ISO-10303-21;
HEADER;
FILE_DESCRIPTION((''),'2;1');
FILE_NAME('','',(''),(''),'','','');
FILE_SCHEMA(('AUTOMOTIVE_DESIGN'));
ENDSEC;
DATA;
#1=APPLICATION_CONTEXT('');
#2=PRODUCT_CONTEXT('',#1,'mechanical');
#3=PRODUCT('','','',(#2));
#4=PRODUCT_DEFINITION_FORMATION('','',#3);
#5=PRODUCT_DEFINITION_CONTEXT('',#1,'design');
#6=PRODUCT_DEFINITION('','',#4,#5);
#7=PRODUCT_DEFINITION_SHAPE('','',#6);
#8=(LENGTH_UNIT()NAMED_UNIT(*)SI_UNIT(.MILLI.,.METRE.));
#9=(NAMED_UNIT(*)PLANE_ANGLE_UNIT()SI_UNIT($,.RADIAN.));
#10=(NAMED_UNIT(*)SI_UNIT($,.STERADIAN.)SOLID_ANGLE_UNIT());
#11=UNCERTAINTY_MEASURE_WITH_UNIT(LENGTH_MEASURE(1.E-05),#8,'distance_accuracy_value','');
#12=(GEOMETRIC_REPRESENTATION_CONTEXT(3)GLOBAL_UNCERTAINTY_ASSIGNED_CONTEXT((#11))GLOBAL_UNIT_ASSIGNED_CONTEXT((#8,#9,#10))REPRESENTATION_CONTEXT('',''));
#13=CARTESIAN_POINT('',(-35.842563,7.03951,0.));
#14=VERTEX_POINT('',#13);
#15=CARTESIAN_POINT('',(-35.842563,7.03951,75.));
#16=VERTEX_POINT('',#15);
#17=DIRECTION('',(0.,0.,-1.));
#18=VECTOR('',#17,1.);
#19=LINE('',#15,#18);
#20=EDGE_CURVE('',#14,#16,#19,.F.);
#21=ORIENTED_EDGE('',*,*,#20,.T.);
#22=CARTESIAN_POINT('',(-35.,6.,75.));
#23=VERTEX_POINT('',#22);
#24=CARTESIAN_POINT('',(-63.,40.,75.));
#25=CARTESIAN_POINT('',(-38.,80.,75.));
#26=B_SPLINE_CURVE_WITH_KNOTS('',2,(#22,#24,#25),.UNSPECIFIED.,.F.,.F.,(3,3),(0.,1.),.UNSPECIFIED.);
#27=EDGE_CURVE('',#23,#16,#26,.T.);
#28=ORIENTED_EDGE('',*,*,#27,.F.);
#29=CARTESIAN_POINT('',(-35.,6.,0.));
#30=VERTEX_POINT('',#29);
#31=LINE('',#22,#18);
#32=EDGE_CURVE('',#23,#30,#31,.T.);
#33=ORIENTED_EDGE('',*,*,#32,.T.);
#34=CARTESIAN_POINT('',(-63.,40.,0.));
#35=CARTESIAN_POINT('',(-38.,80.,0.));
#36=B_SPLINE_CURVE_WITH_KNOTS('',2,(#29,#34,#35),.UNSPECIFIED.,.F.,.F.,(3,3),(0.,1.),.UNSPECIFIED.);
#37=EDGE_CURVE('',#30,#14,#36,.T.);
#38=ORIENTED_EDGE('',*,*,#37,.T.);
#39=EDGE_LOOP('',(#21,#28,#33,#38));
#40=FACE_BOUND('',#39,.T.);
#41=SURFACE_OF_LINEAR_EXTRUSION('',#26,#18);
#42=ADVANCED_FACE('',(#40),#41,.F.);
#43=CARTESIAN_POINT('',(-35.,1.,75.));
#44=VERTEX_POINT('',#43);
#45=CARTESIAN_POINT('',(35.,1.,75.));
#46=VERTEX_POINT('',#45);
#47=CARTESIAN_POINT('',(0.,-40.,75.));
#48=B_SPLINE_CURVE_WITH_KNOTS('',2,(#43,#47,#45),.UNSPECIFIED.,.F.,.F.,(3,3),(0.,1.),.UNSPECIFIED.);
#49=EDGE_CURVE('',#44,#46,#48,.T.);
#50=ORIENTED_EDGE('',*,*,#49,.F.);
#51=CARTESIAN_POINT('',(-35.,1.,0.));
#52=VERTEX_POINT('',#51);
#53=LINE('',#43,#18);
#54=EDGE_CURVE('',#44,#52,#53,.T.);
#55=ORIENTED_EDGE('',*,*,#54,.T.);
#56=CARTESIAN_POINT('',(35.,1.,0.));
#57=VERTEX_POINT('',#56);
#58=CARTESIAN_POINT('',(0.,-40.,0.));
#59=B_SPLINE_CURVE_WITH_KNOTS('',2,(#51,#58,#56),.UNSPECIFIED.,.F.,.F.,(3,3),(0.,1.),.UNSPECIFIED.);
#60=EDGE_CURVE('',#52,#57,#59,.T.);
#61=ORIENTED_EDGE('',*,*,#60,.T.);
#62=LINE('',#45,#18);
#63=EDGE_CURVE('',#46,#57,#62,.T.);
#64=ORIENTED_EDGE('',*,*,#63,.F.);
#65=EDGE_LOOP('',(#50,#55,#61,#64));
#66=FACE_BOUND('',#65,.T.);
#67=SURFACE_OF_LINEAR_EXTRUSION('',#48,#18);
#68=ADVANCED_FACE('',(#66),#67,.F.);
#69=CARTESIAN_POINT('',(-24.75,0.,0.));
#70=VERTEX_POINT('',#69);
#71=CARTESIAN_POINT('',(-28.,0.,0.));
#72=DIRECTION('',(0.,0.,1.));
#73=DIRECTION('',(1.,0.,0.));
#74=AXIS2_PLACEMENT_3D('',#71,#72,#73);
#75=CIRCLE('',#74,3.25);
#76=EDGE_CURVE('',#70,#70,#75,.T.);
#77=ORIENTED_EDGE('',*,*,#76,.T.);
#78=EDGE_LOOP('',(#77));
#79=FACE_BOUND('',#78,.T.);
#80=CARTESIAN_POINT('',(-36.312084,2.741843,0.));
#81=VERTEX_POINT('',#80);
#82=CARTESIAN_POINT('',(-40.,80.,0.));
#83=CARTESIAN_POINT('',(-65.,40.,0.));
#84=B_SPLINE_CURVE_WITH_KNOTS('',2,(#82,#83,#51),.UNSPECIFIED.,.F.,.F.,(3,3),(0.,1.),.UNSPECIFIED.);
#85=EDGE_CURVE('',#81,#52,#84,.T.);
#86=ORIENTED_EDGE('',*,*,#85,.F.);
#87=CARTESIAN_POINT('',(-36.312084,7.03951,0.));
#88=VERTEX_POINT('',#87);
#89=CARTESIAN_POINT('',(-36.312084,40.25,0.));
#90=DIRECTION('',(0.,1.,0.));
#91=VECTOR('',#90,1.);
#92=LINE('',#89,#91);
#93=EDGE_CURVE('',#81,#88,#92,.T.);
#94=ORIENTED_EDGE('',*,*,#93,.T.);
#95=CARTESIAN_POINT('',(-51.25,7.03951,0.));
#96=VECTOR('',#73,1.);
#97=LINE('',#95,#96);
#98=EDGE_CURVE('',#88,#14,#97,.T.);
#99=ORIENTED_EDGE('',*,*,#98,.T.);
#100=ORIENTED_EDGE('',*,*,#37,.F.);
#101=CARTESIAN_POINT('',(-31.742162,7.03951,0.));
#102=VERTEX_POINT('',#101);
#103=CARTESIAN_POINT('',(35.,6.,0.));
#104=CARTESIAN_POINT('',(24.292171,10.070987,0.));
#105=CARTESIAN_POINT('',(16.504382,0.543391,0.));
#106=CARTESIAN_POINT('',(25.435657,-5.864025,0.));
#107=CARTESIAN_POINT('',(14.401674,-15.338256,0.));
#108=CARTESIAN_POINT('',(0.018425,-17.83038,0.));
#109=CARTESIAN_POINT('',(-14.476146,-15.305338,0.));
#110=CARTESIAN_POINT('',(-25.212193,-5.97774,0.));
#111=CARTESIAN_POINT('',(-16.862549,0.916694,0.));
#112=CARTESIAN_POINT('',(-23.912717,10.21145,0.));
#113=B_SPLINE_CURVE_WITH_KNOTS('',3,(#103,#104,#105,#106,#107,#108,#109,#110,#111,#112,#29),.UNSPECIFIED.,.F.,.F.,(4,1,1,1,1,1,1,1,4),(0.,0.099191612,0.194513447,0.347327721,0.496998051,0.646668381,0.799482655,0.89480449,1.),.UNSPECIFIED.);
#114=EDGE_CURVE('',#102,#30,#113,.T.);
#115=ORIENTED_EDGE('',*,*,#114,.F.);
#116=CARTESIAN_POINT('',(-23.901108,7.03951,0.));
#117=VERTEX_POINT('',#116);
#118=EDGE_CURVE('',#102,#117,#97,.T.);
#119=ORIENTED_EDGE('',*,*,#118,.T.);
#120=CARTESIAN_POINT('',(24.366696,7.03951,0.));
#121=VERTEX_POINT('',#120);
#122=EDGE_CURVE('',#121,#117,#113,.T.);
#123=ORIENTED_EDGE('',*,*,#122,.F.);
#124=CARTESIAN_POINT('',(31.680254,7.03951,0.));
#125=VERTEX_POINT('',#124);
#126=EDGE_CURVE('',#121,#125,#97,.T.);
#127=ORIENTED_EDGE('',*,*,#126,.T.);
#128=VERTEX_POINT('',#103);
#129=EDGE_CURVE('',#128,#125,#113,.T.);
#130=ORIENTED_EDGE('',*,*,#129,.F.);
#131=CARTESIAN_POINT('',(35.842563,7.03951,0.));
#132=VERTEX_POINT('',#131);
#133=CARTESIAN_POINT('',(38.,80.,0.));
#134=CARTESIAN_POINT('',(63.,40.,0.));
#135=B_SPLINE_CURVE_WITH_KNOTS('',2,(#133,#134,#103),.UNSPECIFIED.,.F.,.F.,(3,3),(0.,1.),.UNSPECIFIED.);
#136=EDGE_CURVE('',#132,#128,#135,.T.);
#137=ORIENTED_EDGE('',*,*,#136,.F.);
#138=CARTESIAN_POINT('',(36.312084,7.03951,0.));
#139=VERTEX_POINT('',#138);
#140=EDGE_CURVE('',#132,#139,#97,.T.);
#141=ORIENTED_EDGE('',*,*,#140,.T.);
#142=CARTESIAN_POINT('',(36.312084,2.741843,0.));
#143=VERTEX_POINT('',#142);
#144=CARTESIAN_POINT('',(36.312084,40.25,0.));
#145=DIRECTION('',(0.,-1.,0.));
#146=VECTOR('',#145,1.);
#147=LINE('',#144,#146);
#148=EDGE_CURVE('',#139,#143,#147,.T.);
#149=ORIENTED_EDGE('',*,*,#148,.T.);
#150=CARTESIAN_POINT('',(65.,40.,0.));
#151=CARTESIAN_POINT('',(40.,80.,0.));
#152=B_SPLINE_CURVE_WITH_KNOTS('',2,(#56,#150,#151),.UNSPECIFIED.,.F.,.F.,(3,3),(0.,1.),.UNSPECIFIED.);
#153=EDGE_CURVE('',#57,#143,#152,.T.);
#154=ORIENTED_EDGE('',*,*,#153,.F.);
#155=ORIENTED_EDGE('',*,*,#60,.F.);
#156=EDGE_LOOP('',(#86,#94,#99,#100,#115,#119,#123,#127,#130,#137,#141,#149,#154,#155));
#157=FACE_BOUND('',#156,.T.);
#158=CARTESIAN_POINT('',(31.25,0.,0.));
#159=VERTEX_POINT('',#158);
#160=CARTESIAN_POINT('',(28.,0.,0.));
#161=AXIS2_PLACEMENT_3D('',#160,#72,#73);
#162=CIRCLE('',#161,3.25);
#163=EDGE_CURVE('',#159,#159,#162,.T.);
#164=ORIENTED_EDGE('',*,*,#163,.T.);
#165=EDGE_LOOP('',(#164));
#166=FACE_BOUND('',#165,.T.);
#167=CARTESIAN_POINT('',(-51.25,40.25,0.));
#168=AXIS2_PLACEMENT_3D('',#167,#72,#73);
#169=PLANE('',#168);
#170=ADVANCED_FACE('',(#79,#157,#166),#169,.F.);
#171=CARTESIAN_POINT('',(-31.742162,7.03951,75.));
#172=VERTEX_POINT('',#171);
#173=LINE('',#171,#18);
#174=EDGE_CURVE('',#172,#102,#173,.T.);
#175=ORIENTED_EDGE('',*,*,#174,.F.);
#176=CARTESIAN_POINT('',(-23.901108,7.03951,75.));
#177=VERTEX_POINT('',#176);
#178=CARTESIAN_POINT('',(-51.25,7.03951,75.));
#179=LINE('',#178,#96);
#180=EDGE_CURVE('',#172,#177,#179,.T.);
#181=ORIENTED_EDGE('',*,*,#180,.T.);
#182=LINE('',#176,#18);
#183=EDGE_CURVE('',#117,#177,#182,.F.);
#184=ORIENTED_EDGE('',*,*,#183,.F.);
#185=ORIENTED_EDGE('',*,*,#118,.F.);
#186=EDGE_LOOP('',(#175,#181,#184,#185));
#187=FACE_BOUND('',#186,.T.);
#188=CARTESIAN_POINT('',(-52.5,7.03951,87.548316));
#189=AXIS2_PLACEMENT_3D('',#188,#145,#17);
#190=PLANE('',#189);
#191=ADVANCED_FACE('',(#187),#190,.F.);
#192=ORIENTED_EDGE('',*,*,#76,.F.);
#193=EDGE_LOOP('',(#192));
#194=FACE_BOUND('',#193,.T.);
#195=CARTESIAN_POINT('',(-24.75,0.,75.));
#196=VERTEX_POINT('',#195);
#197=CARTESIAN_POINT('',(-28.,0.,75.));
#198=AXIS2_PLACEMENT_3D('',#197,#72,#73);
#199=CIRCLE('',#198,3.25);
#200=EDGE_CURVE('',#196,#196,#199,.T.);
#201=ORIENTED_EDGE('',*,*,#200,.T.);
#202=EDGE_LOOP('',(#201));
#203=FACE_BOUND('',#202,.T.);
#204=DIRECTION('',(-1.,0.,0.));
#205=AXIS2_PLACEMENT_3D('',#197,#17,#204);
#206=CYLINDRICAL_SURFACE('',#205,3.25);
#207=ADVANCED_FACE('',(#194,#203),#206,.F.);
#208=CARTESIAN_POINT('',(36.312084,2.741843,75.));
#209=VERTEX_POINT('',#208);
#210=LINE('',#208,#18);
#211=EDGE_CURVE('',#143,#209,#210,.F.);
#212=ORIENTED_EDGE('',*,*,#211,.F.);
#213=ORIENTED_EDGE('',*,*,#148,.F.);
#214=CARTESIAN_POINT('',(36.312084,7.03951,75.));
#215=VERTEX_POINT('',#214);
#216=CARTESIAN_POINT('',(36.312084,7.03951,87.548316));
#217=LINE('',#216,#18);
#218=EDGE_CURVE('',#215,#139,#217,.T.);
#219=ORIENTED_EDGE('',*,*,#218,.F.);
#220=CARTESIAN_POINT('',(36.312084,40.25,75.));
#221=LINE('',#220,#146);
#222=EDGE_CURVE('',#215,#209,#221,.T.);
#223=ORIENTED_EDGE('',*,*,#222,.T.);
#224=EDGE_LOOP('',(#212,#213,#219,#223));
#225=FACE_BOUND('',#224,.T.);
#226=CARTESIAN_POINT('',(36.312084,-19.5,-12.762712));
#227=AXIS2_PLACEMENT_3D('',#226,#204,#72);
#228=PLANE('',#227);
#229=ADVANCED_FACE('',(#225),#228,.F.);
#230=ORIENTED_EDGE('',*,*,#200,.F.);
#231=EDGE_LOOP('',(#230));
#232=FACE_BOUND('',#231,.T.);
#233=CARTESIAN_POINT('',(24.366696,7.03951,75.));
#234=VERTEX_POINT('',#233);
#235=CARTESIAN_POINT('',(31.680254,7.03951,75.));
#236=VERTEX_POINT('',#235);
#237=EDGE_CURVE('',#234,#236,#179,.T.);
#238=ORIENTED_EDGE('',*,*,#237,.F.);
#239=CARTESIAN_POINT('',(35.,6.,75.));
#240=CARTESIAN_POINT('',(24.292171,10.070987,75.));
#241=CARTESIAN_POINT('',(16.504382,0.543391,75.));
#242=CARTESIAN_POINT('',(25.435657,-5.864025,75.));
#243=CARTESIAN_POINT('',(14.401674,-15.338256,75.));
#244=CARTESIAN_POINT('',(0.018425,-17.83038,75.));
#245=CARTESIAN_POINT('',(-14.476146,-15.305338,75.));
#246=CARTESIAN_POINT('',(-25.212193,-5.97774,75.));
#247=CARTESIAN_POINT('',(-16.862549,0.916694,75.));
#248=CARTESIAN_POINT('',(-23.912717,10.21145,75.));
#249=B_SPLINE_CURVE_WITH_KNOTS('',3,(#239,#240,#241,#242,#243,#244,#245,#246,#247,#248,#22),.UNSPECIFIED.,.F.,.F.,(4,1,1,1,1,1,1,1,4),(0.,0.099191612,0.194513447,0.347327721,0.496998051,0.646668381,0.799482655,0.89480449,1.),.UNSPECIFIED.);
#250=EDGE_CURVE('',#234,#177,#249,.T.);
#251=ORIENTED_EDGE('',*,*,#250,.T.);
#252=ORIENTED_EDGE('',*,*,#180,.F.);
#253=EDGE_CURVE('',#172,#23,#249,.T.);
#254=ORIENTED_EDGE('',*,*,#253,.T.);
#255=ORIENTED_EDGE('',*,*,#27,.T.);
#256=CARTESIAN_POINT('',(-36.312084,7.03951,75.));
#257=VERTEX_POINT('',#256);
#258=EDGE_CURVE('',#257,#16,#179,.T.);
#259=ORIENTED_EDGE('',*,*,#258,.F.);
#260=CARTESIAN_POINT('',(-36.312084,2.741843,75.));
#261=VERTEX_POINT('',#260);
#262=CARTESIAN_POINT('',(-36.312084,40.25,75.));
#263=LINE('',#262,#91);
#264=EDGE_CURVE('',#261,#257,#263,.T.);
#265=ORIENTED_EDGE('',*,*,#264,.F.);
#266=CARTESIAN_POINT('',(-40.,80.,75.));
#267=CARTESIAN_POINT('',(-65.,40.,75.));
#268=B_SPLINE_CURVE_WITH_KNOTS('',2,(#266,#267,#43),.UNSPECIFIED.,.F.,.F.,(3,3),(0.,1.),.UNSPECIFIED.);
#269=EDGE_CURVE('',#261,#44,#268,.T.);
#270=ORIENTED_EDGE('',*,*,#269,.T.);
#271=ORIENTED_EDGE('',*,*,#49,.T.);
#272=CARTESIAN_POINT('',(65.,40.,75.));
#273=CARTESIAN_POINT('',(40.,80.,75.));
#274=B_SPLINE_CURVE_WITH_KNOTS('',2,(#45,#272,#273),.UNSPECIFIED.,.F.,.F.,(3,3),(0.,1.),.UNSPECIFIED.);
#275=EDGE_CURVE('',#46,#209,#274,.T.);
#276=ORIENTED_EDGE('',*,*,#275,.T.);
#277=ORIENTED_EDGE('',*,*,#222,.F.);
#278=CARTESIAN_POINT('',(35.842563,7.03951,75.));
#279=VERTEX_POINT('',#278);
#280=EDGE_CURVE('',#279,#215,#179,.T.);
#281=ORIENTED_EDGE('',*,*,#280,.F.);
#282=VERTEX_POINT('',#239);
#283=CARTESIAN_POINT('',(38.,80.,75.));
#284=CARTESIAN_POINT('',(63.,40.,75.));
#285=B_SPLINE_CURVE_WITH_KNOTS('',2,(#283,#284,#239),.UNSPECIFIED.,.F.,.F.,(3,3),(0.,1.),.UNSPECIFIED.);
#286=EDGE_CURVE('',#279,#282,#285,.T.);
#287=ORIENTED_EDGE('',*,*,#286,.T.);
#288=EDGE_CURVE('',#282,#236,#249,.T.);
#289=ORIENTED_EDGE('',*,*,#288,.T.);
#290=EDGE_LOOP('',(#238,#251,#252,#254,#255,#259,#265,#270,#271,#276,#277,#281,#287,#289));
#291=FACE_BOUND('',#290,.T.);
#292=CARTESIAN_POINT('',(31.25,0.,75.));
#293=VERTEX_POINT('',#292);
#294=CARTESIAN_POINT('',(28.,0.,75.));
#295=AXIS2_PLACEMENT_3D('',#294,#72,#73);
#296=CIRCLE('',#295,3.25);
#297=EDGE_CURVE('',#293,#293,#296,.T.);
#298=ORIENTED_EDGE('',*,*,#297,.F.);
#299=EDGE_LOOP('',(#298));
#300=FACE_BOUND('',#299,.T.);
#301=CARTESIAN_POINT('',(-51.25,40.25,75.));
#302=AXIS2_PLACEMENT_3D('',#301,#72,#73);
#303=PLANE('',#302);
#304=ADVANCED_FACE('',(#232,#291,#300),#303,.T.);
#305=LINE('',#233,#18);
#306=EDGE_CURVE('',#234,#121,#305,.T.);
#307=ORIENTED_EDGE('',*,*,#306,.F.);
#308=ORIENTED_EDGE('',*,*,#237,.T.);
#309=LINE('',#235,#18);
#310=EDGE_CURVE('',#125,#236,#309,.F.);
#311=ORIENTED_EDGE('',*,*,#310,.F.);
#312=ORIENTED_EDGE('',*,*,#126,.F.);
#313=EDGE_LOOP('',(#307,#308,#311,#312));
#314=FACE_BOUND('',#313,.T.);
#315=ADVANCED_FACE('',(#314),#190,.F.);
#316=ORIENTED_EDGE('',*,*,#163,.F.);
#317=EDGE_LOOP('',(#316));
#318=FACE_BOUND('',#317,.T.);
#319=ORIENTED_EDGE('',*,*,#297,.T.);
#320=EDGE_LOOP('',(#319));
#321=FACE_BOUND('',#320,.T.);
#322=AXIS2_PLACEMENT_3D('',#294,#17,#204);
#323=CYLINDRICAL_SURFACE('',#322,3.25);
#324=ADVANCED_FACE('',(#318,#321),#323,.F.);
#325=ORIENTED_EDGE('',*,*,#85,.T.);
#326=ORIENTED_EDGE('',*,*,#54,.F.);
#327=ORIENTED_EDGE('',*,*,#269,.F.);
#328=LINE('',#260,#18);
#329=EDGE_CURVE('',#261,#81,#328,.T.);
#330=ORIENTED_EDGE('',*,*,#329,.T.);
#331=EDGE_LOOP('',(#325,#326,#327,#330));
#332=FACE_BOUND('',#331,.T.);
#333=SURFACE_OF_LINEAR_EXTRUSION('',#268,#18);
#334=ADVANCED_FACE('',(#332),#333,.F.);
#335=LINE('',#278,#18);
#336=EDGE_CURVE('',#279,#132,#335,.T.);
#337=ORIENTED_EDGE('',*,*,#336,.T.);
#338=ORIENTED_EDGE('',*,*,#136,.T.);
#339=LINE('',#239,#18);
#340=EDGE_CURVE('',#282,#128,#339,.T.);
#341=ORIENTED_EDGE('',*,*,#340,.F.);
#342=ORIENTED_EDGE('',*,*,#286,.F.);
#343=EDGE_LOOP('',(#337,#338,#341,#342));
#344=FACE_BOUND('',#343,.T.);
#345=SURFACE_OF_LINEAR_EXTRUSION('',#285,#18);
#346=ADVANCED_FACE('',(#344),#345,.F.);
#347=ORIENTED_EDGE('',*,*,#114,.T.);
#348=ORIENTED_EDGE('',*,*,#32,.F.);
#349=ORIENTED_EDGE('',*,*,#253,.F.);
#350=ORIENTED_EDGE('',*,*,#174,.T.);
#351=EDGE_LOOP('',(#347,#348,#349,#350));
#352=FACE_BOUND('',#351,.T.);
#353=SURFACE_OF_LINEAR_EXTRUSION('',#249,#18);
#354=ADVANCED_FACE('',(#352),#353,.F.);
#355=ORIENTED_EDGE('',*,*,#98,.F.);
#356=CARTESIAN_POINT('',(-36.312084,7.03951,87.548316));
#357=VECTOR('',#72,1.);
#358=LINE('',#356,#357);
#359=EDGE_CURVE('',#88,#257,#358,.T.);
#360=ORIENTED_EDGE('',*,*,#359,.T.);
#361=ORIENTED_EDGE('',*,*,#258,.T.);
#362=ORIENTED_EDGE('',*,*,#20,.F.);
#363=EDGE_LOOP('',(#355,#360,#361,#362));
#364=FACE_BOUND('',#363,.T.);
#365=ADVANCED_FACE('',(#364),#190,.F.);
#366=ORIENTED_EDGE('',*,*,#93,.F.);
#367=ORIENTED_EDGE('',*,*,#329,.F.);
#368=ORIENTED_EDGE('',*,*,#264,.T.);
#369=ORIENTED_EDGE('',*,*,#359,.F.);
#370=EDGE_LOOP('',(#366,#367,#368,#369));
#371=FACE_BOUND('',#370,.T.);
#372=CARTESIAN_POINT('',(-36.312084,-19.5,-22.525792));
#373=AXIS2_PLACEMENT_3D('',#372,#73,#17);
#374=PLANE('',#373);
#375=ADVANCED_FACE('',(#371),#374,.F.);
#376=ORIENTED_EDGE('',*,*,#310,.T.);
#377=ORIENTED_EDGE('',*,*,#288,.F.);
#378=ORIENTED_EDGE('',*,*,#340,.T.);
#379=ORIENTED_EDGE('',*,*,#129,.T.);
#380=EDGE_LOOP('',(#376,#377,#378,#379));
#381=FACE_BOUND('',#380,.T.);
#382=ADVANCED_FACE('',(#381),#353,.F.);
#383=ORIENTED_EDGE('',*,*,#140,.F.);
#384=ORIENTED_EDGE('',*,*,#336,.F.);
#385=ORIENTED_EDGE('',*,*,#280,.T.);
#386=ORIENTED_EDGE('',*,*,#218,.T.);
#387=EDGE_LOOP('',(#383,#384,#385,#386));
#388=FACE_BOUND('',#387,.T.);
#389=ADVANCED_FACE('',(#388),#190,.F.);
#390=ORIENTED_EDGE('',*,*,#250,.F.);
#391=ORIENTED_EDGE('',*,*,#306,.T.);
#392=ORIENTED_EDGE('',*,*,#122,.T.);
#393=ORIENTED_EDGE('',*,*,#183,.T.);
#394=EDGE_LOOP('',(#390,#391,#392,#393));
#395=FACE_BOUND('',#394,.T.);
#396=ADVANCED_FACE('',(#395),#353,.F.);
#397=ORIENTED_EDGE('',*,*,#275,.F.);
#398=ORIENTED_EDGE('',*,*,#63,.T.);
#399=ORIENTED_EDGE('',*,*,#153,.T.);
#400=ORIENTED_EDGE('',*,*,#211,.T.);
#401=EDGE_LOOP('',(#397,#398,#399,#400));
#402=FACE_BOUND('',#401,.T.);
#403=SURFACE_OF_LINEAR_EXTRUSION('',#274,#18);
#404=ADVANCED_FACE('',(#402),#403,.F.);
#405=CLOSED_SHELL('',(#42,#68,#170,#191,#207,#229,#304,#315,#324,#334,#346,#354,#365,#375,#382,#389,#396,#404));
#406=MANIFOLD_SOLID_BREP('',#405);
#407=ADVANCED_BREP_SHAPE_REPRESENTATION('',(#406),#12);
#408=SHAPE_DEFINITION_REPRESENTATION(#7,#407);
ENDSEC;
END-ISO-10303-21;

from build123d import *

# Parameters (mm, degrees)
SKETCH_1_R               = 3.25
EXTRUDE_1_DEPTH          = 75
CUT_EXTRUDE_1_DEPTH      = 122.091796509
CUT_EXTRUDE_1_DEPTH_BACK = 122.091796509
SKETCH_2_W               = 92.717171147
SKETCH_2_H               = 72.960489682
SKETCH_3_W               = 30.57870083
SKETCH_3_H               = 110.525424686
SKETCH_3_W_2             = 21.736666855
SKETCH_3_H_2             = 127.47265647
CUT_EXTRUDE_2_DEPTH      = 89.739988429


with BuildPart() as part:
    # 草圖1 → 填料-伸長1 (new body)
    with BuildSketch(Plane.XY):
        with BuildLine():
            Line((-40, 80), (-38, 80))
            add(Edge.make_bspline(
                [(-35, 6), (-63, 40), (-38, 80)],
                knots=[0, 0, 0, 1, 1, 1], degree=2))
            add(Edge.make_bspline(
                [(-35, 6), (-23.912717134, 10.211450087), (-16.862548977, 0.91669383), (-25.21219254, -5.97773989), (-14.476146204, -15.305337799), (0.018424546, -17.830380109), (14.401673974, -15.338256178), (25.43565684, -5.864025043), (16.50438221, 0.543390954), (24.292170801, 10.070987077), (35, 6)],
                knots=[0, 0, 0, 0, 0.10519551, 0.200517345, 0.353331619, 0.503001949, 0.652672279, 0.805486553, 0.900808388, 1, 1, 1, 1], degree=3))
            add(Edge.make_bspline(
                [(35, 6), (63, 40), (38, 80)],
                knots=[0, 0, 0, 1, 1, 1], degree=2))
            Line((38, 80), (40, 80))
            add(Edge.make_bspline(
                [(35, 1), (65, 40), (40, 80)],
                knots=[0, 0, 0, 1, 1, 1], degree=2))
            add(Edge.make_bspline(
                [(-35, 1), (0, -40), (35, 1)],
                knots=[0, 0, 0, 1, 1, 1], degree=2))
            add(Edge.make_bspline(
                [(-35, 1), (-65, 40), (-40, 80)],
                knots=[0, 0, 0, 1, 1, 1], degree=2))
        make_face()
        with Locations((-28, 0)):
            Circle(SKETCH_1_R, mode=Mode.SUBTRACT)
        with Locations((28, 0)):
            Circle(SKETCH_1_R, mode=Mode.SUBTRACT)
    extrude(amount=EXTRUDE_1_DEPTH)

    # 草圖2 → 除料-伸長1 (cut, two sides: drawn at the far end of the back side and taken through both)
    with BuildSketch(Plane(origin=(0, 0, 0), x_dir=(0, 0, -1), z_dir=(1, 0, 0)).offset(-CUT_EXTRUDE_1_DEPTH_BACK)):
        with Locations((-41.189730422, 43.519755159)):
            Rectangle(SKETCH_2_W, SKETCH_2_H)
    extrude(amount=CUT_EXTRUDE_1_DEPTH + CUT_EXTRUDE_1_DEPTH_BACK, mode=Mode.SUBTRACT)

    # 草圖3 → 除料-伸長2 (cut, through all)
    with BuildSketch(Plane(origin=(0, 7.039510318, 0), x_dir=(1, 0, 0), z_dir=(0, 1, 0))):
        with Locations((51.601433927, -42.5)):
            Rectangle(SKETCH_3_W, SKETCH_3_H)
        with Locations((-47.18041694, -41.210536712)):
            Rectangle(SKETCH_3_W_2, SKETCH_3_H_2)
    extrude(amount=-CUT_EXTRUDE_2_DEPTH, mode=Mode.SUBTRACT)


solid = part.part
